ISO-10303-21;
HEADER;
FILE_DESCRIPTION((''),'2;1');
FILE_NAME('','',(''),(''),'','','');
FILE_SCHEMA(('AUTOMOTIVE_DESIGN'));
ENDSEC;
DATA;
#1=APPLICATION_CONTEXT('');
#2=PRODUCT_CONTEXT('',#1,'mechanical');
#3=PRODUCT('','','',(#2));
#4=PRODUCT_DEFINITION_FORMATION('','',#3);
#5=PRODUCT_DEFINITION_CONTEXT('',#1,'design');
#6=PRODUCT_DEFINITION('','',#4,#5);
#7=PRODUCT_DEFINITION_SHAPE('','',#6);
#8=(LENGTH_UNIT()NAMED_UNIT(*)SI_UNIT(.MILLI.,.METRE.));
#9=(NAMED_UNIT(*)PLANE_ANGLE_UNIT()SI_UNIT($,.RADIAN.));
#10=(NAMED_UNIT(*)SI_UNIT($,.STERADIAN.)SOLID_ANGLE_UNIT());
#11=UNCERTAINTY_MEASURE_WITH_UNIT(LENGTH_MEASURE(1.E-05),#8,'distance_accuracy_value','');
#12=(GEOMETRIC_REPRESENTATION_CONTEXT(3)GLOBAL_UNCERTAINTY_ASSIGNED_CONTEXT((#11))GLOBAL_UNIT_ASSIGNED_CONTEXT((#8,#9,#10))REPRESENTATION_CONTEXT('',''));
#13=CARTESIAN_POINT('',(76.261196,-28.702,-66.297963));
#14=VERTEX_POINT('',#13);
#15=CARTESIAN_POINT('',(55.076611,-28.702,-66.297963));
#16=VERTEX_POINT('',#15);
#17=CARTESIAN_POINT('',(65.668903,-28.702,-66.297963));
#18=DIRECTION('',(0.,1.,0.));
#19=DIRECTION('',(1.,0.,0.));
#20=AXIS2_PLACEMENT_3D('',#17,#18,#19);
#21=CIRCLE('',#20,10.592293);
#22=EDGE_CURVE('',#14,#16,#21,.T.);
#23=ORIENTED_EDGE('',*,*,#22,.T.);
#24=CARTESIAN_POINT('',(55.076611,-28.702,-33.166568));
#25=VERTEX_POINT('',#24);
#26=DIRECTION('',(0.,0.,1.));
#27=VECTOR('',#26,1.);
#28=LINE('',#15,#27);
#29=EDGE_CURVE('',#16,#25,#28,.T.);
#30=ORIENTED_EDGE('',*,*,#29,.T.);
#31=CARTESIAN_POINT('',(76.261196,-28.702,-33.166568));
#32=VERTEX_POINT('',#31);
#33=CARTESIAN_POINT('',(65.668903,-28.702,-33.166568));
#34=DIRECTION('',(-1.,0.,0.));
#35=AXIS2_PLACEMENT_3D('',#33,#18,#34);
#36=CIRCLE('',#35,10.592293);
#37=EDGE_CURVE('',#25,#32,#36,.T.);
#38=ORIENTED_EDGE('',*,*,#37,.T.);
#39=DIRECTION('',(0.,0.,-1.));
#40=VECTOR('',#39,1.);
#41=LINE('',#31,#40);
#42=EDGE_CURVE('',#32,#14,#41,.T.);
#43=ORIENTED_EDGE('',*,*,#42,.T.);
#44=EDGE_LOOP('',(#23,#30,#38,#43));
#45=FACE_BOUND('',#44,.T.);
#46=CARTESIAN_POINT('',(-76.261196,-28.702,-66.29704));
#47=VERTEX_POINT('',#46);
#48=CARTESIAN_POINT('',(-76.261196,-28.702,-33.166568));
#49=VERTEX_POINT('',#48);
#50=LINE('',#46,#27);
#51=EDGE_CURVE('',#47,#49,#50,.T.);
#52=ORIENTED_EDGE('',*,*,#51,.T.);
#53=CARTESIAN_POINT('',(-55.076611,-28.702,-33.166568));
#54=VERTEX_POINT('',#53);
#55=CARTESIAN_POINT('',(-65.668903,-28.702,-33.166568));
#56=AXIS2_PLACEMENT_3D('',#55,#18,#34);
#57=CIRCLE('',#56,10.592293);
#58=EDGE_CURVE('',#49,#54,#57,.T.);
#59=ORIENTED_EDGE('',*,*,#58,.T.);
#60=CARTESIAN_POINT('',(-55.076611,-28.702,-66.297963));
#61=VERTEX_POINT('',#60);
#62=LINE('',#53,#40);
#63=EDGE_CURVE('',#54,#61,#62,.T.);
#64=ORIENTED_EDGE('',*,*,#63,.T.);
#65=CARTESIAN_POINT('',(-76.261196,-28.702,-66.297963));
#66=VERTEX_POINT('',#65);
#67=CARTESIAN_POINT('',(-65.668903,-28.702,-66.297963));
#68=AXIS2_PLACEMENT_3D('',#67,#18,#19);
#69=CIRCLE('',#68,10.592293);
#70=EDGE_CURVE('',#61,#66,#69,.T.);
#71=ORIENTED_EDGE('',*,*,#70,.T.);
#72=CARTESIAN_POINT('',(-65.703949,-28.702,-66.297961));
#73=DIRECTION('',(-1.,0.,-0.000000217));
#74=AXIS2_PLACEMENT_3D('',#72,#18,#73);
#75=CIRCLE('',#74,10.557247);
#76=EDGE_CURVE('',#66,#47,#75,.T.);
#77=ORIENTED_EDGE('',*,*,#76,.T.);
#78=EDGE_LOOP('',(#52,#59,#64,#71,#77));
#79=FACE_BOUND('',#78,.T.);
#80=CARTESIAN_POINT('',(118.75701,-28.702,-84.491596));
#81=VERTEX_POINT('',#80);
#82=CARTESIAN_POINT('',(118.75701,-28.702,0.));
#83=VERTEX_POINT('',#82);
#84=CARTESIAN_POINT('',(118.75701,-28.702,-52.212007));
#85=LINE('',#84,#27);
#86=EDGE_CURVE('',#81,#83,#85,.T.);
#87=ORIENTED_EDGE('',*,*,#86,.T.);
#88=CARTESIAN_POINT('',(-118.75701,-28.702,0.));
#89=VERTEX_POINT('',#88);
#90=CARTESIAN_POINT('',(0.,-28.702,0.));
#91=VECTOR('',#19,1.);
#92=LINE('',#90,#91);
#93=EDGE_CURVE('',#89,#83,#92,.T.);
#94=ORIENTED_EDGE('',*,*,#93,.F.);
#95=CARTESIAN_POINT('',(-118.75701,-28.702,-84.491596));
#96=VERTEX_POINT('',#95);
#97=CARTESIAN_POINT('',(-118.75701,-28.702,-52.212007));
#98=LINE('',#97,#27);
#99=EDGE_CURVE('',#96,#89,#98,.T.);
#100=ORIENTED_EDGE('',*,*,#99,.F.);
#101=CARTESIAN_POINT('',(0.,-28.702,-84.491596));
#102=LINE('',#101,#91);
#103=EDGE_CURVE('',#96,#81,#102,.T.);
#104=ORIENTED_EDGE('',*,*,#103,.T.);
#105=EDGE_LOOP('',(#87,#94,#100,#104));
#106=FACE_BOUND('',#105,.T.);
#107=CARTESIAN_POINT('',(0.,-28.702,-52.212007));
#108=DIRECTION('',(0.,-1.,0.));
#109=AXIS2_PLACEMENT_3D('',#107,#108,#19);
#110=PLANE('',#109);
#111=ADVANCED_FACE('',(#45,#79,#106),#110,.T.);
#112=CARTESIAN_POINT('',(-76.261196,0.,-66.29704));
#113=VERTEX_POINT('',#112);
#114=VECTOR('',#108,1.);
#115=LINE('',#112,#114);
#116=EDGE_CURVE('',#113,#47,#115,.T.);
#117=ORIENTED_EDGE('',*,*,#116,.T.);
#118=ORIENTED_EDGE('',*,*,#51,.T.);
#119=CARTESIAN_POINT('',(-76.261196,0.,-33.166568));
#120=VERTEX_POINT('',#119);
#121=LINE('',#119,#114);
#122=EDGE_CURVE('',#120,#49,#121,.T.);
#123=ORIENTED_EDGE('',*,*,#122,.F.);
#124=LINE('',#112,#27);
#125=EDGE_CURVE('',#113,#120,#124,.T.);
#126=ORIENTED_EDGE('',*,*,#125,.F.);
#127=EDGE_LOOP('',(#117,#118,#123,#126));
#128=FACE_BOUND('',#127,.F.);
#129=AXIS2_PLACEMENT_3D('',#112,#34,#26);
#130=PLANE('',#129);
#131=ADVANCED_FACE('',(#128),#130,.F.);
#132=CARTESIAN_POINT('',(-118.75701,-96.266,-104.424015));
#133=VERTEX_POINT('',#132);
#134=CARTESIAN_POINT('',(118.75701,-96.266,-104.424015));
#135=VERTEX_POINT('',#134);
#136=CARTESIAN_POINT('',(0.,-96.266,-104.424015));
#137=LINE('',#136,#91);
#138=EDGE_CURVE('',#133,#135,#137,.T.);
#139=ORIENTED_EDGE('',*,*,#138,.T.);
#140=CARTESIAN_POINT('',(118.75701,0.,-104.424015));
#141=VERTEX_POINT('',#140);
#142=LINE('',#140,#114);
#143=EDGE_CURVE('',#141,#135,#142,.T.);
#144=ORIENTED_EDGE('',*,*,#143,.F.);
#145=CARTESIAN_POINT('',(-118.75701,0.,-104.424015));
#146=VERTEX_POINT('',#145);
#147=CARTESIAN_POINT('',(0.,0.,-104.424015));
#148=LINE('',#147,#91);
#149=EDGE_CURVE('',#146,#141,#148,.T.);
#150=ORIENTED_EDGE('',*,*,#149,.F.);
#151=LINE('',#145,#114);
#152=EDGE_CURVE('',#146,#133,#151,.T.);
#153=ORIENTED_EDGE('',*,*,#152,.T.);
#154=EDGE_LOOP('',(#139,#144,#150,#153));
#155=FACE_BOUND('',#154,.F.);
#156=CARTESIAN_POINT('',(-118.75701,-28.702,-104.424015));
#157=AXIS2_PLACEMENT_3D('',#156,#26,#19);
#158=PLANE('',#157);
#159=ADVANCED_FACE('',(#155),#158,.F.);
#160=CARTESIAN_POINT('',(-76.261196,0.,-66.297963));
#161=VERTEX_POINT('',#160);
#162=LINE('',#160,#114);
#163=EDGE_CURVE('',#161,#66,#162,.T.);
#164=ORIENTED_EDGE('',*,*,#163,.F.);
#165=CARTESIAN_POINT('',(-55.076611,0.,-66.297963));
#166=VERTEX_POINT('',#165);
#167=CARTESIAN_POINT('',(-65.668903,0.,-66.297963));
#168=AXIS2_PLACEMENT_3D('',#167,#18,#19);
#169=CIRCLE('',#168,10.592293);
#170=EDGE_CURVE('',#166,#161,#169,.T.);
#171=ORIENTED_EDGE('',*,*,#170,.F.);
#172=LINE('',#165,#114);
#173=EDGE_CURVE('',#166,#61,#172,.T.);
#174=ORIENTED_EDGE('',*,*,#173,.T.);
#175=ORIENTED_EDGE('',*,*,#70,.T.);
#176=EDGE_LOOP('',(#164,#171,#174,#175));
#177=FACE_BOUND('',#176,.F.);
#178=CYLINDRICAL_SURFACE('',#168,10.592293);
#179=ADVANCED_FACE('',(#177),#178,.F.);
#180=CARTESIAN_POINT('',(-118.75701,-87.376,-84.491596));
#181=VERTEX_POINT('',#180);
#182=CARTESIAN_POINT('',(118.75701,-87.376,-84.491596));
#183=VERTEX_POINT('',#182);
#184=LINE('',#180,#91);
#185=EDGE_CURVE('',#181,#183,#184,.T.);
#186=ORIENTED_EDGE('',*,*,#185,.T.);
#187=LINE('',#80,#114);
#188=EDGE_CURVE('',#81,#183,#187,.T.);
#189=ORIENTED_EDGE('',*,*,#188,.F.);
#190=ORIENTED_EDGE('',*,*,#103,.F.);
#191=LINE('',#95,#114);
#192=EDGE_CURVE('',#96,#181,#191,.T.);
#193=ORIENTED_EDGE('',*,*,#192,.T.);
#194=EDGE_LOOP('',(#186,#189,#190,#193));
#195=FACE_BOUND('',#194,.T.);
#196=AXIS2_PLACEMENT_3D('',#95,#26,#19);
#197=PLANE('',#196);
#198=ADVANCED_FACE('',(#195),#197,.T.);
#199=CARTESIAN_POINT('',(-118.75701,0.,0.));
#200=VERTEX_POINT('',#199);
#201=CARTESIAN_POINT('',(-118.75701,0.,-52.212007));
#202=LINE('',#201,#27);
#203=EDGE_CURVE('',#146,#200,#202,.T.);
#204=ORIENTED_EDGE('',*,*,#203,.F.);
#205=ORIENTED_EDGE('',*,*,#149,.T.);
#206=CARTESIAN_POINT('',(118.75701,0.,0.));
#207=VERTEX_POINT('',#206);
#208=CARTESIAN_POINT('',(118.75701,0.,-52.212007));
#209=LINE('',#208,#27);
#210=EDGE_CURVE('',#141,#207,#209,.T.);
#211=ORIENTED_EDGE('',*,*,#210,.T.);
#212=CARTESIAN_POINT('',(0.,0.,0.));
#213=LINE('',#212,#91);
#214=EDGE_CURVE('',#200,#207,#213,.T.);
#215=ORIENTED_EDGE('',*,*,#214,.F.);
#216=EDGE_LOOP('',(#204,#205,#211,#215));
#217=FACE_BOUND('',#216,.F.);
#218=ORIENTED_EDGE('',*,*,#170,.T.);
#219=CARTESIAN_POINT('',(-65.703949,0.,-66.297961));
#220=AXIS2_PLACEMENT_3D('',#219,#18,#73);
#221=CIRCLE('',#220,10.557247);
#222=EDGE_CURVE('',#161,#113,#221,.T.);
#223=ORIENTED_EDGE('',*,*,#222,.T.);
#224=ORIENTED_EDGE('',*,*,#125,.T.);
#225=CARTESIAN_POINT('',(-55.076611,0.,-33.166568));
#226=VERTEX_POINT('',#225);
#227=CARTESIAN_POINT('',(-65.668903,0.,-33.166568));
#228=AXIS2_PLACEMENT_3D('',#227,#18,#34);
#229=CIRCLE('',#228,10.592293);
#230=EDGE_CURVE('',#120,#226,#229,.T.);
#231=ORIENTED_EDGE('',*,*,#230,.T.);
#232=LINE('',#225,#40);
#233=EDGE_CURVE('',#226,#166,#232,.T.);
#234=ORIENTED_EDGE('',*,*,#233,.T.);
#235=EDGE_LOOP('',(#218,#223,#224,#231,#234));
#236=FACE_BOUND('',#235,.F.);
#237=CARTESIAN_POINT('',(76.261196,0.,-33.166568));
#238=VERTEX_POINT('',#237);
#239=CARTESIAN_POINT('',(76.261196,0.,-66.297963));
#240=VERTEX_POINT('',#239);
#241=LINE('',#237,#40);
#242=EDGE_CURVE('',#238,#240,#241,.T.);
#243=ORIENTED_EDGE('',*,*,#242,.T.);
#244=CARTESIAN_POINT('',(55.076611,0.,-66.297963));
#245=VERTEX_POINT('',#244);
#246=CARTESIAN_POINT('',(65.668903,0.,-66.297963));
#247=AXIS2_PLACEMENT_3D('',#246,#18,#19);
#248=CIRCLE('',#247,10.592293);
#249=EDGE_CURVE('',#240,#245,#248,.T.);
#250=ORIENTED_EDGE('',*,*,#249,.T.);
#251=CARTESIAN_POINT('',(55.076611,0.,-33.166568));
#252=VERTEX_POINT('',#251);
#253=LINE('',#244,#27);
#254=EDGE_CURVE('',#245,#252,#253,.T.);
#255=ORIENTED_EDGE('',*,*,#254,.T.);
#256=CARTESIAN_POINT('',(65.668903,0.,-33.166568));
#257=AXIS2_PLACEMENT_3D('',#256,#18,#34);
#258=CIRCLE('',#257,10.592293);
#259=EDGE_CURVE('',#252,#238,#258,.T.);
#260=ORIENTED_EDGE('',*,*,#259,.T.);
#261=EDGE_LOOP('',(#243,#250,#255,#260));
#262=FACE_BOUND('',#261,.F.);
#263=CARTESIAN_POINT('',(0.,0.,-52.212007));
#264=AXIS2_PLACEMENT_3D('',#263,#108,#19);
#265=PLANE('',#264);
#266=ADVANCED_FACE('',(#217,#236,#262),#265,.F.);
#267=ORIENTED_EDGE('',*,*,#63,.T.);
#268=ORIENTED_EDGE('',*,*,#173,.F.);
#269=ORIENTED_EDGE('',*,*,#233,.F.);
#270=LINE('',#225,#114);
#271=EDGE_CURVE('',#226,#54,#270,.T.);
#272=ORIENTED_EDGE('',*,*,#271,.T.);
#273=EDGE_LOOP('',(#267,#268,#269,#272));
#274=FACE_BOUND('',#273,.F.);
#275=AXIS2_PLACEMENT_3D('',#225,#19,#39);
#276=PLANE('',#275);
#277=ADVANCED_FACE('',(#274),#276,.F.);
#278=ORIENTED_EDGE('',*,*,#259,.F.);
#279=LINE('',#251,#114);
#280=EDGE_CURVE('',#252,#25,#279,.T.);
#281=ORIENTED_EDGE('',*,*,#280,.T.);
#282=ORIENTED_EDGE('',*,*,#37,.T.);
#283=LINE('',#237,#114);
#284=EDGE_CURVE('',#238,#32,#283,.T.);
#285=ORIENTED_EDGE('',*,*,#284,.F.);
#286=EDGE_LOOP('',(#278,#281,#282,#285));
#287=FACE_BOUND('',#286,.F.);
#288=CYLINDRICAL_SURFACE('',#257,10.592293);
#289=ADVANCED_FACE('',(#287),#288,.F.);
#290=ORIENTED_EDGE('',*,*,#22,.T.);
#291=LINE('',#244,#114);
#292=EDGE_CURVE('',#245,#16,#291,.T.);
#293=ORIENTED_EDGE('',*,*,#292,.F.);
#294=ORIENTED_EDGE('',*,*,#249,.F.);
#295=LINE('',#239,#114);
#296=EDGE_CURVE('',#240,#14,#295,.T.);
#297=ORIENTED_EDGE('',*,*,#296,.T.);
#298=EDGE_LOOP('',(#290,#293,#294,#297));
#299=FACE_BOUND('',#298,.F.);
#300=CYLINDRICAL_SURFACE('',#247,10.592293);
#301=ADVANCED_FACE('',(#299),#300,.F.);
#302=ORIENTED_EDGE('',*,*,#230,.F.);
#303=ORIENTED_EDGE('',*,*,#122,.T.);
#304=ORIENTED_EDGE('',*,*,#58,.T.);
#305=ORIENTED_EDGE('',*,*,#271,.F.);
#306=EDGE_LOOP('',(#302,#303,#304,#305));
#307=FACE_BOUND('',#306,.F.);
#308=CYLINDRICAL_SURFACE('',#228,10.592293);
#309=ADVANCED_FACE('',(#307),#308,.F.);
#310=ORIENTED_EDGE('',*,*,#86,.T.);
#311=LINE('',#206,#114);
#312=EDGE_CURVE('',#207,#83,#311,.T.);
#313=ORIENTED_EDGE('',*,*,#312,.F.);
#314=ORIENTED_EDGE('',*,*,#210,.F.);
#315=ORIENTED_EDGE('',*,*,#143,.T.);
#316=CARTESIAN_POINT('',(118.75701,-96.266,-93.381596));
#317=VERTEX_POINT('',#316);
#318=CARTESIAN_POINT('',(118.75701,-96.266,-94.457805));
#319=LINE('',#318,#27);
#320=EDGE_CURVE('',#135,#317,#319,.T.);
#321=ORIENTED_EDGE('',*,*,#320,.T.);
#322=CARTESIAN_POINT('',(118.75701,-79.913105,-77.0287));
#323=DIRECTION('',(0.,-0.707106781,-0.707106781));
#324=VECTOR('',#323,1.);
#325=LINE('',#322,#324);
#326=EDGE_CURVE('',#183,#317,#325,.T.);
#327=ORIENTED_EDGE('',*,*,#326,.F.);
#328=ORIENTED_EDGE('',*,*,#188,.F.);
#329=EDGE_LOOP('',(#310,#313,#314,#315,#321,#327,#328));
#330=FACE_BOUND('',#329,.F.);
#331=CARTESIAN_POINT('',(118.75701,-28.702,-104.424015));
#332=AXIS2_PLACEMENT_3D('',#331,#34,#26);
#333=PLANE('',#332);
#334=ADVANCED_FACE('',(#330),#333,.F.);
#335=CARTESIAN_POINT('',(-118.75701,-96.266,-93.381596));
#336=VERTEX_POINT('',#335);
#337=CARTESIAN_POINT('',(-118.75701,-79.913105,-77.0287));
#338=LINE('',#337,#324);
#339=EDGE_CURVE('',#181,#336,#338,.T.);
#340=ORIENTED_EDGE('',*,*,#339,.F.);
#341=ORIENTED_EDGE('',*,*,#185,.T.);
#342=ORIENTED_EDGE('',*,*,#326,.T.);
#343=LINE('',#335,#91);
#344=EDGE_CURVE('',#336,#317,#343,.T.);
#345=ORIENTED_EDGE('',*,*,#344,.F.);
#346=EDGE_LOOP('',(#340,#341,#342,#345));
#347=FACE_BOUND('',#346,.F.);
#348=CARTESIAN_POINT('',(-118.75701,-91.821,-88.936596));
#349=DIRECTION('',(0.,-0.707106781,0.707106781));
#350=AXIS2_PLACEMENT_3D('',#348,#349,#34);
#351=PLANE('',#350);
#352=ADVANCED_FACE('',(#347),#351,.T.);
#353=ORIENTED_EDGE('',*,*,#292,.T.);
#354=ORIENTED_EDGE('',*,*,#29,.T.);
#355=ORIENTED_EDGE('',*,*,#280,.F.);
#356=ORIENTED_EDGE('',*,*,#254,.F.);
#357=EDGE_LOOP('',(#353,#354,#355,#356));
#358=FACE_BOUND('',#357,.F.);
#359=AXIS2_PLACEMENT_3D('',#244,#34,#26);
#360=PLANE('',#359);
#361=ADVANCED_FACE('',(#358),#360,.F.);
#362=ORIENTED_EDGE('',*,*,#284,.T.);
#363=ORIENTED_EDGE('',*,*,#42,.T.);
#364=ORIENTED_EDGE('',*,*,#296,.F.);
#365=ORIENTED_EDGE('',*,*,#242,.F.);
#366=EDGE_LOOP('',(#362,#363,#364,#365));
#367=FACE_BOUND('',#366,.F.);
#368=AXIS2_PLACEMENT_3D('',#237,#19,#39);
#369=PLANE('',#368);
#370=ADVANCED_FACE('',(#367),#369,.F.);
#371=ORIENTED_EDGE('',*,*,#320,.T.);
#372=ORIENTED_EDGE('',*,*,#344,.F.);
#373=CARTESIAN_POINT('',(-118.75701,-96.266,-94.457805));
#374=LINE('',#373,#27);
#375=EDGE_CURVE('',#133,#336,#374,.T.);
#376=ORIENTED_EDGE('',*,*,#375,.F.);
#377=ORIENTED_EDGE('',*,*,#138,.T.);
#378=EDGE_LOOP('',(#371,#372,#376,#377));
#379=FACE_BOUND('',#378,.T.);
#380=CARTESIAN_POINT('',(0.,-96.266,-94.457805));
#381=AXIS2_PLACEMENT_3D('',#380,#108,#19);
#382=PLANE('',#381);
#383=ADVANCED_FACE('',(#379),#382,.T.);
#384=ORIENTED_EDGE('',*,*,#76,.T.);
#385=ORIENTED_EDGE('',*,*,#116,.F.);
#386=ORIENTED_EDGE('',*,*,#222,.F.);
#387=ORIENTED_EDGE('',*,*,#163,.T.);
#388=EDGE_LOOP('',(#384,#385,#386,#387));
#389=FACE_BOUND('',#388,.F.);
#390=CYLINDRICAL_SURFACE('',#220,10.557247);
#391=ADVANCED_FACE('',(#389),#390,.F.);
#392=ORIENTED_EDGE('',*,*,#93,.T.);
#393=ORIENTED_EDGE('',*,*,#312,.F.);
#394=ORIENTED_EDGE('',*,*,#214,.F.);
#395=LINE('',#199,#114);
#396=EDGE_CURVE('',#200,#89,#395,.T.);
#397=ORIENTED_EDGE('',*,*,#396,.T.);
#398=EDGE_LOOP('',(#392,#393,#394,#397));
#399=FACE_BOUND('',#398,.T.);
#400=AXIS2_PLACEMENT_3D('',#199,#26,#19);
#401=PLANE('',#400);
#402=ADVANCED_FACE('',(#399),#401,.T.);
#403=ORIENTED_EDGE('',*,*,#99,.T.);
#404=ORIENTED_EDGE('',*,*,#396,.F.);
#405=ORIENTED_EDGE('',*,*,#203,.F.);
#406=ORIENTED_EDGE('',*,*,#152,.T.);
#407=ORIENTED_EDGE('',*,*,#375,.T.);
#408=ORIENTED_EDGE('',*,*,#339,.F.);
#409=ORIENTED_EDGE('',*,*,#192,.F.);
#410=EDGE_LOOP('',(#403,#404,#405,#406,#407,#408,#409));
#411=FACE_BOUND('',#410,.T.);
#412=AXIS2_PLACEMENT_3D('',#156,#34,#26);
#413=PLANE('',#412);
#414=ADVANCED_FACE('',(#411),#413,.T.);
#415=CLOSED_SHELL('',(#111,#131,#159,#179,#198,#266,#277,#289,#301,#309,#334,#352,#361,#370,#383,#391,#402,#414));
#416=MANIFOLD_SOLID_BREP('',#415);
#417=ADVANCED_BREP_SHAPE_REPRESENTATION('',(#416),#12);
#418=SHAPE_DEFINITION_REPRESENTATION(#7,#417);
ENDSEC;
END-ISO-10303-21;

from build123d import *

# Parameters (mm, degrees)
F0_W     = 237.5140190125
F0_H     = 104.4240146875
F1_DEPTH = 28.702
F2_W     = 237.5140190125
F2_H     = 19.9324190617
F3_DEPTH = 67.564
F4_SIZE2 = 8.89
F4_SIZE  = 8.89


with BuildPart() as f1:
    # F0 (on Front) → F1 (new body)
    with BuildSketch(Plane.XZ):
        with Locations((0, -52.2120073438)):
            Rectangle(F0_W, F0_H)
        with BuildLine():
            ThreePointArc((-76.26119588, -33.1665679002), (-65.6689032912, -22.5742753114), (-55.0766107024, -33.1665679002))
            Line((-55.0766107024, -33.1665679002), (-55.0766107024, -66.2979632616))
            ThreePointArc((-55.0766107024, -66.2979632616), (-65.6689032912, -76.8902558504), (-76.26119588, -66.2979632616))
            ThreePointArc((-76.26119588, -66.2979632616), (-76.26119587, -66.2975014647), (-76.2611958398, -66.2970396679))
            Line((-76.26119588, -66.2970396679), (-76.26119588, -33.1665679002))
        make_face(mode=Mode.SUBTRACT)
        with BuildLine():
            Line((55.0766107024, -66.2979632616), (55.0766107024, -33.1665679002))
            ThreePointArc((55.0766107024, -33.1665679002), (65.6689032912, -22.5742753114), (76.26119588, -33.1665679002))
            Line((76.26119588, -33.1665679002), (76.26119588, -66.2970396679))
            Line((76.26119588, -66.2970396679), (76.26119588, -66.2979632616))
            ThreePointArc((76.26119588, -66.2979632616), (65.6689032912, -76.8902558504), (55.0766107024, -66.2979632616))
        make_face(mode=Mode.SUBTRACT)
    extrude(amount=F1_DEPTH)

    # F2 (on face) → F3 (join)
    with BuildSketch(Plane.XZ.offset(28.702)):
        with Locations((0, -94.4578051567)):
            Rectangle(F2_W, F2_H)
    extrude(amount=F3_DEPTH)

    # F4
    f4_edges = [f1.edges().sort_by_distance(p)[0] for p in [
        (0, -96.266, -84.491596),
    ]]
    chamfer(f4_edges, length=F4_SIZE, length2=F4_SIZE2)


solid = f1.part
